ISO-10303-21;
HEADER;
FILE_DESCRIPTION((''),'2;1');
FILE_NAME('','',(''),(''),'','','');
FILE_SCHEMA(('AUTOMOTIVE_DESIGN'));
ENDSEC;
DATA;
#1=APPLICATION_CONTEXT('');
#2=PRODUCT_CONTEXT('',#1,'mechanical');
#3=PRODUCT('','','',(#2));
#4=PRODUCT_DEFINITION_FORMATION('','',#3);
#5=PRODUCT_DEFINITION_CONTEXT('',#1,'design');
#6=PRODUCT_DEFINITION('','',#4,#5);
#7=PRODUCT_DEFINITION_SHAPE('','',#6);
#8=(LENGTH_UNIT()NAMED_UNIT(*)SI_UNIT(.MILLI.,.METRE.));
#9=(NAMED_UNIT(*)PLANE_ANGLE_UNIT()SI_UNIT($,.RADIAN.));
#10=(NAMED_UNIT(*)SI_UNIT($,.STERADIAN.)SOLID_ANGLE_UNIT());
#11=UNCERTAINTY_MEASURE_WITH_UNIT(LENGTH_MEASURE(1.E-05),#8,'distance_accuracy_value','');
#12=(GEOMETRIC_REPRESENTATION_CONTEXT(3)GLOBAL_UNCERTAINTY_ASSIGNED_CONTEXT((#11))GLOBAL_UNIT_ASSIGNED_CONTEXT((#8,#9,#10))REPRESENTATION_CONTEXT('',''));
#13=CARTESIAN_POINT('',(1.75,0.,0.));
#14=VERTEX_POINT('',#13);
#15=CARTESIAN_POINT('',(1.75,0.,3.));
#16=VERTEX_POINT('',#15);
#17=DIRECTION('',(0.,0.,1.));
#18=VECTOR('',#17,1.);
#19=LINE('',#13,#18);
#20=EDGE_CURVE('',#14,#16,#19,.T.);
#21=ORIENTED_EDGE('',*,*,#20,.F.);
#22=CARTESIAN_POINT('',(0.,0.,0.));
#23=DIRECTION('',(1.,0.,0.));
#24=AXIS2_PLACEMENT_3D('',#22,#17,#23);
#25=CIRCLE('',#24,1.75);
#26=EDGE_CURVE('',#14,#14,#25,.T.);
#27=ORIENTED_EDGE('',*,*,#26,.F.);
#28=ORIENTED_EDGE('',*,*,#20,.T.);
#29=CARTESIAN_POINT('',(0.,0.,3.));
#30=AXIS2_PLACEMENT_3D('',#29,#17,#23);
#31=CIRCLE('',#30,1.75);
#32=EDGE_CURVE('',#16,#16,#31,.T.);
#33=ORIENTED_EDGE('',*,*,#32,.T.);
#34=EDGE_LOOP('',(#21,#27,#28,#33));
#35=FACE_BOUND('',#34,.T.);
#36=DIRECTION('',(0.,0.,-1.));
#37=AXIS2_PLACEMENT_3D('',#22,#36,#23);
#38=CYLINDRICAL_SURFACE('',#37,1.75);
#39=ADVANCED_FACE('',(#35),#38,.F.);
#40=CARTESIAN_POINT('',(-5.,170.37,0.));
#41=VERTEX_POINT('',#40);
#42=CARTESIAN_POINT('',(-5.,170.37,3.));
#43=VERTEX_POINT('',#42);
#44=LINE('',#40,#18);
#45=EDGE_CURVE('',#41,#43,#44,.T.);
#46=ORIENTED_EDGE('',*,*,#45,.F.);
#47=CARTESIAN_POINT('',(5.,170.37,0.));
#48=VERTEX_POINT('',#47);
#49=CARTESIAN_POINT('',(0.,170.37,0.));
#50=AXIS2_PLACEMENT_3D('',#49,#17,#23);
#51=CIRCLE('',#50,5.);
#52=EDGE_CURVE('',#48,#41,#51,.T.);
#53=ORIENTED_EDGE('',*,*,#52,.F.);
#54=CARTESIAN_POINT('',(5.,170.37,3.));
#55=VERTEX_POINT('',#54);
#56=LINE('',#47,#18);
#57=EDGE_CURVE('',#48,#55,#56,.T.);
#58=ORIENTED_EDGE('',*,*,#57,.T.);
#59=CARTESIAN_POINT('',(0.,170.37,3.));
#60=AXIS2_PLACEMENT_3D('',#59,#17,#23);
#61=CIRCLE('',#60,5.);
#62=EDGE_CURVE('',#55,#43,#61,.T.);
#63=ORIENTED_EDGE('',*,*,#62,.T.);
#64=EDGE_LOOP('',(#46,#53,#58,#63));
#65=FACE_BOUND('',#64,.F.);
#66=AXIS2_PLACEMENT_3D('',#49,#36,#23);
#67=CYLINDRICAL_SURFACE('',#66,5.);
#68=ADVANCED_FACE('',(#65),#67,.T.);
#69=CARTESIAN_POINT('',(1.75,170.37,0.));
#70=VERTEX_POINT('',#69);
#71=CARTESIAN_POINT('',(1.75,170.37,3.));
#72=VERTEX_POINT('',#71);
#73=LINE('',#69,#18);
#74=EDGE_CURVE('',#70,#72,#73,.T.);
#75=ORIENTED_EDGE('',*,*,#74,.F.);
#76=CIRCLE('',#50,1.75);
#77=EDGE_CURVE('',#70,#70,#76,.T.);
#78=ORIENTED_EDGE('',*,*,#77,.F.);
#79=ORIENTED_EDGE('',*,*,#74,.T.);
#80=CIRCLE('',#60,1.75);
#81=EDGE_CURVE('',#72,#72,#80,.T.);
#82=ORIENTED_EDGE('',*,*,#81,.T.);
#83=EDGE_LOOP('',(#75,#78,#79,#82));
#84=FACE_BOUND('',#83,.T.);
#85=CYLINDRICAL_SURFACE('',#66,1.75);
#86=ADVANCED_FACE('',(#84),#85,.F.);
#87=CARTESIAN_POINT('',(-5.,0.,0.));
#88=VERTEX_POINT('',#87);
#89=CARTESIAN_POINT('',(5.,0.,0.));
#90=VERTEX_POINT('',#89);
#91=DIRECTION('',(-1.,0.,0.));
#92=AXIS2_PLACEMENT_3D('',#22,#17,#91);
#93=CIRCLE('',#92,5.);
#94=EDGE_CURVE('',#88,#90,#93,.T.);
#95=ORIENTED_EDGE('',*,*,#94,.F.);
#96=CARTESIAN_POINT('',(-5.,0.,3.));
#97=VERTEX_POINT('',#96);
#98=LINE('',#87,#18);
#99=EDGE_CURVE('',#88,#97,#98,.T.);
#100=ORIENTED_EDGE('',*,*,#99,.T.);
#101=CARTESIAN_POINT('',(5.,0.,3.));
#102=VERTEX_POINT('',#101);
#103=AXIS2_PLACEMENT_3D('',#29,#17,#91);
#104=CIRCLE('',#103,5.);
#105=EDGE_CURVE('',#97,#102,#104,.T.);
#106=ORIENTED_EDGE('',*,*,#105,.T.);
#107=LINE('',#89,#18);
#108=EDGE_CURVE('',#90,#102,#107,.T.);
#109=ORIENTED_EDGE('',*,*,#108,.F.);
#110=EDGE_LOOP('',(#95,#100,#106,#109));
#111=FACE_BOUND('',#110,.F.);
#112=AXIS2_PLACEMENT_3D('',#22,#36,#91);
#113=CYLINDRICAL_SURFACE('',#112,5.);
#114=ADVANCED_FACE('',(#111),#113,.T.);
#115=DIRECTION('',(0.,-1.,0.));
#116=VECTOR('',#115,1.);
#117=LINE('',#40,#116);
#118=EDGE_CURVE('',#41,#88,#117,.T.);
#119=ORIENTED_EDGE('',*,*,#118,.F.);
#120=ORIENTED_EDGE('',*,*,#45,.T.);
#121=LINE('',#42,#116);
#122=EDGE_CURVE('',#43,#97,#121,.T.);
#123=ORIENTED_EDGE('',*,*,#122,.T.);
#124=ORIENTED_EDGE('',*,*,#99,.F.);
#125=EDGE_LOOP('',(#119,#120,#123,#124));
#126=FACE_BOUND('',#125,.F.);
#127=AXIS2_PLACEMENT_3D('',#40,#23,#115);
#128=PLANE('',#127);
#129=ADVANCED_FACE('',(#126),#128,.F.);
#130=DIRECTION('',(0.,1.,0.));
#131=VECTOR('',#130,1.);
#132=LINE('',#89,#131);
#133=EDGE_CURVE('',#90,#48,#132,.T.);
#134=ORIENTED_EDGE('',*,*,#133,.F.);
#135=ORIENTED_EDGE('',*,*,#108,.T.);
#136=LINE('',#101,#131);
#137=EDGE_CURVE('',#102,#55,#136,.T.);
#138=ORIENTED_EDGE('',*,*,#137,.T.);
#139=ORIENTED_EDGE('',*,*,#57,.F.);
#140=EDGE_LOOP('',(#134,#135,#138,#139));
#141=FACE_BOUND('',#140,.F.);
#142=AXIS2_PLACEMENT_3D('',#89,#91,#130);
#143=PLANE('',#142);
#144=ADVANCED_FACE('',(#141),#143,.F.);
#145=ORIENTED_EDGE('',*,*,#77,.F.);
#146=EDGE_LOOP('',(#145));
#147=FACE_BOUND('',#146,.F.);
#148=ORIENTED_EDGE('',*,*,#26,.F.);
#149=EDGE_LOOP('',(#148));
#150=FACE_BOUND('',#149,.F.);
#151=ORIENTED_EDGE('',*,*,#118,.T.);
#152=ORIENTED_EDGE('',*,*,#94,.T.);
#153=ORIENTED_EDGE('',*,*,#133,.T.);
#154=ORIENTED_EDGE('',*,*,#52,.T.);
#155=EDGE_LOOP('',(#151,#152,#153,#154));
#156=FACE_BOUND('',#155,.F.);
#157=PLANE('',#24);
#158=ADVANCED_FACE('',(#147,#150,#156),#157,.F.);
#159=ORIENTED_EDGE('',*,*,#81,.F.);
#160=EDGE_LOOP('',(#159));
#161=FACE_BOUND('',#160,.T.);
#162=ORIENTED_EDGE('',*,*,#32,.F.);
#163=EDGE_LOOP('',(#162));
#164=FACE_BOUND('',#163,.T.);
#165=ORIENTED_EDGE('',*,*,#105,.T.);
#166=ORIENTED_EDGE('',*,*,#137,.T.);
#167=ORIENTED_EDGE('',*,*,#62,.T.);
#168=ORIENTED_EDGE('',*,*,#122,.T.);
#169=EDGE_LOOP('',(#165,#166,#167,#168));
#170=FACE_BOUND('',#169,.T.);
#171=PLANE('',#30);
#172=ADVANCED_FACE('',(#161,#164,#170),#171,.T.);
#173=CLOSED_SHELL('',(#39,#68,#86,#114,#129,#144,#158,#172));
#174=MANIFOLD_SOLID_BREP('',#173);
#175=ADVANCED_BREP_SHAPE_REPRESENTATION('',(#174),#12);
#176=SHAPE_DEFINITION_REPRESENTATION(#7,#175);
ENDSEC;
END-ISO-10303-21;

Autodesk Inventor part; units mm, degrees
ref_plane "YZ Plane" through (0, 0, 0) normal (1, 0, 0) x (0, 1, 0)
ref_plane "XZ Plane" through (0, 0, 0) normal (0, 1, 0) x (-1, 0, 0)
ref_plane "XY Plane" through (0, 0, 0) normal (0, 0, 1) x (1, 0, 0)
sketch "Sketch1" plane through (0, 0, 0) normal (0, 0, 1) x (1, 0, 0)
  line L0 (0, 0) -> (0, 170.37) construction
  line L1 (0, 0) -> (170.37, 0) construction
  circle A0 centre (0, 0) radius 1.75
  circle A1 centre (0, 170.37) radius 1.75
  line L2 (0, 170.37) -> (0, 0) construction
  line L3 (-5, 170.37) -> (-5, 0)
  line L4 (5, 0) -> (5, 170.37)
  arc A2 (5, 170.37) -> (-5, 170.37) centre (0, 170.37) ccw
  arc A3 (-5, 0) -> (5, 0) centre (0, 0) ccw
  point P0 (0, 85.185)
  point P1 (0, 85.185)
  dimension "d0" = 170.37
  dimension "d1" = 90
  dimension "d3" = 3.5
  dimension "d4" = 3.5
  dimension "d7" = 10
extrude "Extrusion2" add sketch "Sketch1" along normal blind 3
properties part number "RedKangoroo_001_bar4ipt"
